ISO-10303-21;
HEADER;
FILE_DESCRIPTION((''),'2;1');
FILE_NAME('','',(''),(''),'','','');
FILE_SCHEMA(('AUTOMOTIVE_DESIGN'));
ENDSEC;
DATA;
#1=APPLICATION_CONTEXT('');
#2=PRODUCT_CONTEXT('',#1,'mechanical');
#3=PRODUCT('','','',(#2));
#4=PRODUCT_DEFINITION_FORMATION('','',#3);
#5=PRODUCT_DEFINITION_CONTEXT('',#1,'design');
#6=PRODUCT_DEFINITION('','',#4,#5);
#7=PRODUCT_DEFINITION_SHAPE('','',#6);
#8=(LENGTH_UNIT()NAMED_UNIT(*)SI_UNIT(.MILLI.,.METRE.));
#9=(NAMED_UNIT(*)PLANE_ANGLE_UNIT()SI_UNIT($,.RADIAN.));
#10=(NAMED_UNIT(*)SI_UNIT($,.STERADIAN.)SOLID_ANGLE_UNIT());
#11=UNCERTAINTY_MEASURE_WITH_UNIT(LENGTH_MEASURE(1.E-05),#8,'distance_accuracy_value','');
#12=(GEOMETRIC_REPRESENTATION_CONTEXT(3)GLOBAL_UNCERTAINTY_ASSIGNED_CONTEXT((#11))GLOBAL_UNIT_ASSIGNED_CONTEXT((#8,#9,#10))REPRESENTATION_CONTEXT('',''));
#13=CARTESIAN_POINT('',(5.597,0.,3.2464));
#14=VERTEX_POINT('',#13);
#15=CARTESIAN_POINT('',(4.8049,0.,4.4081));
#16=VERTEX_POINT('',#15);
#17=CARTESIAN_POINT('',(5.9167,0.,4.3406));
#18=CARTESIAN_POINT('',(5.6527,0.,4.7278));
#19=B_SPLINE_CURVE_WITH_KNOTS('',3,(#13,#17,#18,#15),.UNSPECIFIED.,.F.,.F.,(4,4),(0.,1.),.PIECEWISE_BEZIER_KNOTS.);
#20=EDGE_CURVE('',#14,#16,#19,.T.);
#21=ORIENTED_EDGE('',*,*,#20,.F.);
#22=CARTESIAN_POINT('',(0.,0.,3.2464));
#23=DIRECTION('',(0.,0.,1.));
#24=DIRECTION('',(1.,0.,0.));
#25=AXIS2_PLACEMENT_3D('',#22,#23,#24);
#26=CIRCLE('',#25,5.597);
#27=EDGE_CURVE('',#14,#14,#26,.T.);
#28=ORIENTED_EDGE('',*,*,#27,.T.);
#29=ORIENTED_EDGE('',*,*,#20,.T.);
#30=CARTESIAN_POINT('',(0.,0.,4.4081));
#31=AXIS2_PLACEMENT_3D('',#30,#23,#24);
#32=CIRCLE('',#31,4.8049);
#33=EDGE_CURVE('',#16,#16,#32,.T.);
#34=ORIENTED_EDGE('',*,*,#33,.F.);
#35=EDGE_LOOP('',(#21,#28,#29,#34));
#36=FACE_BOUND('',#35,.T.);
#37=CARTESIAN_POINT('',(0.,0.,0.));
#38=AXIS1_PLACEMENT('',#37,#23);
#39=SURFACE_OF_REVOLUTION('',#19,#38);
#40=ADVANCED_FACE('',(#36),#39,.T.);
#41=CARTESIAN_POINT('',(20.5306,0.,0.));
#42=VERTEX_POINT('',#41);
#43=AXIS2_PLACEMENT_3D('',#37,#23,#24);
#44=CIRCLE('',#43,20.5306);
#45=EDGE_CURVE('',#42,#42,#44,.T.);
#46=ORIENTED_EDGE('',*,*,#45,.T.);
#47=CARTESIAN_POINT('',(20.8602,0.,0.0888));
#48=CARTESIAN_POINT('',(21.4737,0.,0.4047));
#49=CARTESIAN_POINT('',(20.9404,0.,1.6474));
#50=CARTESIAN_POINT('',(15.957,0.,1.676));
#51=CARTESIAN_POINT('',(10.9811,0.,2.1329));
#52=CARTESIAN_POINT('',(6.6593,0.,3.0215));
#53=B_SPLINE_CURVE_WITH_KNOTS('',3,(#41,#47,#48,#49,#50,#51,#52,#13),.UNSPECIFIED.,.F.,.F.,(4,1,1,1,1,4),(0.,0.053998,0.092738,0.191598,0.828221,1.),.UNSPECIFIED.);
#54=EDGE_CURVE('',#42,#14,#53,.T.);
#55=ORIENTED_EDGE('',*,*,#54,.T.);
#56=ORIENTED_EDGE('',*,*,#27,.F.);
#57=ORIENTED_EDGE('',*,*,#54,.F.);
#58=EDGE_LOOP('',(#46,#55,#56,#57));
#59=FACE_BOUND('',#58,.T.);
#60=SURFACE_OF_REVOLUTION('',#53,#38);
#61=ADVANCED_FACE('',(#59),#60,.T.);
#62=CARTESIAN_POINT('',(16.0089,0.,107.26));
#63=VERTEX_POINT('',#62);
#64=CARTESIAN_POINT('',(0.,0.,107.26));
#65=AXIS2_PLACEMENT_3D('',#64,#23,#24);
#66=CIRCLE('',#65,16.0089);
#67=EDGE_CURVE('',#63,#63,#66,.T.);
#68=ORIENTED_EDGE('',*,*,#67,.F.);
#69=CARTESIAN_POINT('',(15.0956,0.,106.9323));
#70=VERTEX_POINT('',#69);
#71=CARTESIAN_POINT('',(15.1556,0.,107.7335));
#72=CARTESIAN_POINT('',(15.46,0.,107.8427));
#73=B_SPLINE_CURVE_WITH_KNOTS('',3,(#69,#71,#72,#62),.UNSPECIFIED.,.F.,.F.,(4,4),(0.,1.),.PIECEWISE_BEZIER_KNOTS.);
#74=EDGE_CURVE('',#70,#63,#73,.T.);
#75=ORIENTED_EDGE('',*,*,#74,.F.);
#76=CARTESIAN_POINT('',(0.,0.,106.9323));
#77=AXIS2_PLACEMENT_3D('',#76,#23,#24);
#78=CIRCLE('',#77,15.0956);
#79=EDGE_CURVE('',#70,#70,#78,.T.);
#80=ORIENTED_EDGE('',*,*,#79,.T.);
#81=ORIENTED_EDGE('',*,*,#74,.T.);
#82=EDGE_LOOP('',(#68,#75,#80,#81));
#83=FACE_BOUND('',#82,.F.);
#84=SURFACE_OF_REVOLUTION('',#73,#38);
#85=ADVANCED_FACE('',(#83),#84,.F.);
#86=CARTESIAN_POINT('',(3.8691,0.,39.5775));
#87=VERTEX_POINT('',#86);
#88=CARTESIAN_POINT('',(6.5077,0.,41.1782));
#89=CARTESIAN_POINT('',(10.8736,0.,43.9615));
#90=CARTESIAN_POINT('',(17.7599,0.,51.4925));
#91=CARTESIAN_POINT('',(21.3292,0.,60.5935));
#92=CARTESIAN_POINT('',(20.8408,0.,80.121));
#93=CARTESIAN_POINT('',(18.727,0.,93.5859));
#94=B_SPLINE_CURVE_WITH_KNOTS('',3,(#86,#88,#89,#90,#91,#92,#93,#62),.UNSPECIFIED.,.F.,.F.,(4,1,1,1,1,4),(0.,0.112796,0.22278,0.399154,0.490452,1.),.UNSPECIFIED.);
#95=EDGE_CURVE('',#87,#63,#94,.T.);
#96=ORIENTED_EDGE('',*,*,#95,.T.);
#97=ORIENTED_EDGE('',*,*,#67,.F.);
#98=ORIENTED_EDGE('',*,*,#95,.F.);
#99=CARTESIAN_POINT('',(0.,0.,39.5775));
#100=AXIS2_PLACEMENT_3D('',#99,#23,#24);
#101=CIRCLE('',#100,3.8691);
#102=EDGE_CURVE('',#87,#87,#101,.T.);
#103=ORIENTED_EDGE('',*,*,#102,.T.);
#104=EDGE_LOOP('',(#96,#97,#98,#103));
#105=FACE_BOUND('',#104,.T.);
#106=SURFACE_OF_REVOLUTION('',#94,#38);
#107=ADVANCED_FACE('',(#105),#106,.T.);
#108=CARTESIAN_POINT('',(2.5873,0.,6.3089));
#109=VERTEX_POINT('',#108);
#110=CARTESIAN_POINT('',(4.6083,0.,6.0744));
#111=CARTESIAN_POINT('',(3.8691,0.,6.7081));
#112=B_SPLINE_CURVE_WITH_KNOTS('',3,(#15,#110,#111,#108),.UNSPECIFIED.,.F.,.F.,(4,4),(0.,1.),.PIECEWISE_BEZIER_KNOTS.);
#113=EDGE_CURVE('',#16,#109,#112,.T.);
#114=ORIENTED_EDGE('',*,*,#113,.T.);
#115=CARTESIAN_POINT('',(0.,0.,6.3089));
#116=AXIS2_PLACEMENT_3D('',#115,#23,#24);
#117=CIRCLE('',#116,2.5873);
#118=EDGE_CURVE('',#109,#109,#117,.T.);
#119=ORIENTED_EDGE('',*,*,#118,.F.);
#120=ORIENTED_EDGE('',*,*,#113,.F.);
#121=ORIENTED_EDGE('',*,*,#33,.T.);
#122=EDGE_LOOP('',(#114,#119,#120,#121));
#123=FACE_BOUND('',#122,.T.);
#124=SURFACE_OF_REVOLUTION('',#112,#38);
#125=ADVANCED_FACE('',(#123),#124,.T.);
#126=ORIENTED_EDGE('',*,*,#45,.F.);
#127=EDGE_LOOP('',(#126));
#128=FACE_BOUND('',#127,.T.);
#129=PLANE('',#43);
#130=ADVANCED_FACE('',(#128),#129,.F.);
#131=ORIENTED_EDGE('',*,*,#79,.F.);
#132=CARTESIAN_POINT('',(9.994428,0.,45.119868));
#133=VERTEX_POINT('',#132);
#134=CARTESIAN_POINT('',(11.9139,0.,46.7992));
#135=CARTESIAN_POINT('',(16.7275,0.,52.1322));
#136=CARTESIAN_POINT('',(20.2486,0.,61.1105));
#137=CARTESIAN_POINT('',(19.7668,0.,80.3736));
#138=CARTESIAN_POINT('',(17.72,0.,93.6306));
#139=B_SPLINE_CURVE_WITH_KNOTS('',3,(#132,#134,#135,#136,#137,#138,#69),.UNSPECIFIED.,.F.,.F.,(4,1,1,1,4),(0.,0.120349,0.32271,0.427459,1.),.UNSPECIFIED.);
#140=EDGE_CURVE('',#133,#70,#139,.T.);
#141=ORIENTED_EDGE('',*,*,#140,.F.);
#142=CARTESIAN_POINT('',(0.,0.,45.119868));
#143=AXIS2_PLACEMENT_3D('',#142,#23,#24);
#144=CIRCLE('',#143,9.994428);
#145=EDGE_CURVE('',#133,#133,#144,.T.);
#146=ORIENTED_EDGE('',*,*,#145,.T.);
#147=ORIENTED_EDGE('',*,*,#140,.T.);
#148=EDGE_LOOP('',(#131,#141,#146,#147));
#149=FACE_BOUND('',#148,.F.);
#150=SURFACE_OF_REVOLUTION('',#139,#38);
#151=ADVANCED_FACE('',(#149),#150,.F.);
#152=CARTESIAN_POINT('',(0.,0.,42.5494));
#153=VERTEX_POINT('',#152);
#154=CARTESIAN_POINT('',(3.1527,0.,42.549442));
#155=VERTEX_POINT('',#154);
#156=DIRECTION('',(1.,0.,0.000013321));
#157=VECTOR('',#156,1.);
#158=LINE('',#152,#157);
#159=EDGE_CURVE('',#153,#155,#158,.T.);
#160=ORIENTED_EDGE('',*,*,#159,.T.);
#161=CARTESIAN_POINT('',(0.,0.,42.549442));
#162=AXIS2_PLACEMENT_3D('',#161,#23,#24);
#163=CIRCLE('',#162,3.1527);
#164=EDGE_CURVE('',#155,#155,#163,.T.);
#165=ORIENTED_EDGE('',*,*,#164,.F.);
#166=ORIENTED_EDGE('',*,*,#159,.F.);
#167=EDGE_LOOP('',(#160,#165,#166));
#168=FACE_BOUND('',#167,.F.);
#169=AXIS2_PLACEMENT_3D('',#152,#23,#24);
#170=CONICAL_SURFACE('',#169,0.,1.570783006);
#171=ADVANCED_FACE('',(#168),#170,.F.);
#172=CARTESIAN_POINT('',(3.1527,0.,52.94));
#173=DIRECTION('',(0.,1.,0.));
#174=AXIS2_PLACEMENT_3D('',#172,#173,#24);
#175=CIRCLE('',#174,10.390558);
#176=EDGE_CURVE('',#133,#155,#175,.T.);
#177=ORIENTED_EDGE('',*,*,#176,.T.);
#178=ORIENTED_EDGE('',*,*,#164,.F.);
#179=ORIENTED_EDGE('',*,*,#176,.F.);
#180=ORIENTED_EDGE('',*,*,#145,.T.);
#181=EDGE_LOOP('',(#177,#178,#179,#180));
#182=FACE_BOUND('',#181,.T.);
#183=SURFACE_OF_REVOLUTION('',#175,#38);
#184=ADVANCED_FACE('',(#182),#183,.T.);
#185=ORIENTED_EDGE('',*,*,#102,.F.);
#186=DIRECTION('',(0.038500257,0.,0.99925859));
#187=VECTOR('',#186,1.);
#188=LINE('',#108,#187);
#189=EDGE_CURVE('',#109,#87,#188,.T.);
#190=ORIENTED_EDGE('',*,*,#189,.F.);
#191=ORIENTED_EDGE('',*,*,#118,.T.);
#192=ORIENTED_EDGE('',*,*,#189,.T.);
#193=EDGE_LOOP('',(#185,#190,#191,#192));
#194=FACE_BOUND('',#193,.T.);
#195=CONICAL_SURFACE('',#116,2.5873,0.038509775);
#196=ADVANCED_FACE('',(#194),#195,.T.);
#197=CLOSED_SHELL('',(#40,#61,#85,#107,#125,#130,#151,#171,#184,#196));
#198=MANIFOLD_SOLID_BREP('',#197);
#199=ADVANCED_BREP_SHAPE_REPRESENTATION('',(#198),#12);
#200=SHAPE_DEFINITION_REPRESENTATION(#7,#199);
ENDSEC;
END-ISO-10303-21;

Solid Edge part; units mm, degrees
sketch "Sketch1" plane through (0, 0, 0) normal (0, -1, 0) x (1, 0, 0)
  line L0 (0, 0) -> (0, 42.5494)
  line L1 (0, 42.5494) -> (3.1527, 42.5494)
  arc A0 (9.9944, 45.1199) -> (3.1527, 42.5494) centre (3.1527, 52.94) cw
  spline S0 degree 3 poles (9.9944, 45.1199) (11.9139, 46.7992) (16.7275, 52.1322) (20.2486, 61.1105) (19.7668, 80.3736) (17.72, 93.6306) (15.0956, 106.9323) knots 0 0 0 0 0.120349 0.32271 0.427459 1 1 1 1
  spline S1 degree 3 poles (15.0956, 106.9323) (15.1556, 107.7335) (15.46, 107.8427) (16.0089, 107.26) knots 0 0 0 0 1 1 1 1
  spline S2 degree 3 poles (3.8691, 39.5775) (6.5077, 41.1782) (10.8736, 43.9615) (17.7599, 51.4925) (21.3292, 60.5935) (20.8408, 80.121) (18.727, 93.5859) (16.0089, 107.26) knots 0 0 0 0 0.112796 0.22278 0.399154 0.490452 1 1 1 1
  line L2 (2.5873, 6.3089) -> (3.8691, 39.5775)
  spline S3 degree 3 poles (4.8049, 4.4081) (4.6083, 6.0744) (3.8691, 6.7081) (2.5873, 6.3089) knots 0 0 0 0 1 1 1 1
  spline S4 degree 3 poles (5.597, 3.2464) (5.9167, 4.3406) (5.6527, 4.7278) (4.8049, 4.4081) knots 0 0 0 0 1 1 1 1
  spline S5 degree 3 poles (20.5306, 0) (20.8602, 0.0888) (21.4737, 0.4047) (20.9404, 1.6474) (15.957, 1.676) (10.9811, 2.1329) (6.6593, 3.0215) (5.597, 3.2464) knots 0 0 0 0 0.053998 0.092738 0.191598 0.828221 1 1 1 1
  line L3 (0, 0) -> (20.5306, 0)
revolve "RevolvedProtrusion1" add sketch "Sketch1" angle 360 about axis through (0, 0, 0) along (0, 0, 1)
